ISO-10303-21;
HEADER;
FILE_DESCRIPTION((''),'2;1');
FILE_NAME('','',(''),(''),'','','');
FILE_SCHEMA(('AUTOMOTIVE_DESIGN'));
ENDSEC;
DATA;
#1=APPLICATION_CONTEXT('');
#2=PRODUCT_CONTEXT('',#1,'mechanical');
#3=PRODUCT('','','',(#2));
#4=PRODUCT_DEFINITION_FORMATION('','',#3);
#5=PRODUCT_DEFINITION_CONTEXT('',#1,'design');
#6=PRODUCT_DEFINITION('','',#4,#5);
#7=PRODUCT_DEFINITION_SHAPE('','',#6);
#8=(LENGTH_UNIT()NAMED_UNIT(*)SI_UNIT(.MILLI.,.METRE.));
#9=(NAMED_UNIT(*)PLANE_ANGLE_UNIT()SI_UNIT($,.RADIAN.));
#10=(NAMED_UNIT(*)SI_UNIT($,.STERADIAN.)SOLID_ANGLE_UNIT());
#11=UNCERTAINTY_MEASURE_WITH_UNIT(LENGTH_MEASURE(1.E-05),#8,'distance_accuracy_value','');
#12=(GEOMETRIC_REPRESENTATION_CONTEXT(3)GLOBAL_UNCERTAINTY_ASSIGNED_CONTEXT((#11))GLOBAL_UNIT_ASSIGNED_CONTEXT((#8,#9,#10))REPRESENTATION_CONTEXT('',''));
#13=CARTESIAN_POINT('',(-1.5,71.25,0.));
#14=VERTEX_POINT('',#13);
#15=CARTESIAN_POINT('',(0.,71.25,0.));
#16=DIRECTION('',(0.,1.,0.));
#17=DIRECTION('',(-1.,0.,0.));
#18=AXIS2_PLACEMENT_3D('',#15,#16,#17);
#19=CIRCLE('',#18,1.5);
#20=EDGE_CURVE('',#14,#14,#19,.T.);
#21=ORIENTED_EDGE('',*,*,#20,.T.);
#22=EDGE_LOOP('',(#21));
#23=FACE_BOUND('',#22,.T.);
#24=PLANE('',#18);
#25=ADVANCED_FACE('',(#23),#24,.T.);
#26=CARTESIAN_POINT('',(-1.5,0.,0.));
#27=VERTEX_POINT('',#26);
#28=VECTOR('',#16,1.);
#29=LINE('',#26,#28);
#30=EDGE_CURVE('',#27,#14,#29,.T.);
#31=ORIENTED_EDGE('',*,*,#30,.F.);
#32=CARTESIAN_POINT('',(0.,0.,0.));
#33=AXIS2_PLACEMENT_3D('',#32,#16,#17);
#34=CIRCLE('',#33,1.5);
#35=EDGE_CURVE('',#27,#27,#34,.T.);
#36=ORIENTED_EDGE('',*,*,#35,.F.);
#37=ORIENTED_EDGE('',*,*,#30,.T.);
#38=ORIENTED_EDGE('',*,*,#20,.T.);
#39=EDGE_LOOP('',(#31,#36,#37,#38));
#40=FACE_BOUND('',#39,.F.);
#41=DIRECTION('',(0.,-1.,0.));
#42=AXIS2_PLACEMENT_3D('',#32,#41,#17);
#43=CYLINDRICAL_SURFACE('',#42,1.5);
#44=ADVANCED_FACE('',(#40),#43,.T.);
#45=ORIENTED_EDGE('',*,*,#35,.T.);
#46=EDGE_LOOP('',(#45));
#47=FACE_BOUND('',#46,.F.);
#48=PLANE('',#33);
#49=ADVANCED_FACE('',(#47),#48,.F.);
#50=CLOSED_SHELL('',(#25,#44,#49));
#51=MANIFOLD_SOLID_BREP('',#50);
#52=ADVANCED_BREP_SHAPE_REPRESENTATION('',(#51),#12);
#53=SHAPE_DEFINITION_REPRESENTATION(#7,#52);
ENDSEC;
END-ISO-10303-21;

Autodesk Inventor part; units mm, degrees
ref_plane "YZ Plane" through (0, 0, 0) normal (1, 0, 0) x (0, 1, 0)
ref_plane "XZ Plane" through (0, 0, 0) normal (0, 1, 0) x (-1, 0, 0)
ref_plane "XY Plane" through (0, 0, 0) normal (0, 0, 1) x (1, 0, 0)
sketch "Sketch1" plane through (0, 0, 0) normal (0, 1, 0) x (-1, 0, 0)
  circle A0 centre (0, 0) radius 1.5
  dimension "d0" = 3
extrude "Extrusion1" add sketch "Sketch1" along normal blind 71.25
thread "Thread1" size "M3x0.5" class "6g" standard "ANSI Metric M Profile" full length
properties part number "ThreadedRod_M3_EncoderSupportInside" material "Steel, Galvanized"
